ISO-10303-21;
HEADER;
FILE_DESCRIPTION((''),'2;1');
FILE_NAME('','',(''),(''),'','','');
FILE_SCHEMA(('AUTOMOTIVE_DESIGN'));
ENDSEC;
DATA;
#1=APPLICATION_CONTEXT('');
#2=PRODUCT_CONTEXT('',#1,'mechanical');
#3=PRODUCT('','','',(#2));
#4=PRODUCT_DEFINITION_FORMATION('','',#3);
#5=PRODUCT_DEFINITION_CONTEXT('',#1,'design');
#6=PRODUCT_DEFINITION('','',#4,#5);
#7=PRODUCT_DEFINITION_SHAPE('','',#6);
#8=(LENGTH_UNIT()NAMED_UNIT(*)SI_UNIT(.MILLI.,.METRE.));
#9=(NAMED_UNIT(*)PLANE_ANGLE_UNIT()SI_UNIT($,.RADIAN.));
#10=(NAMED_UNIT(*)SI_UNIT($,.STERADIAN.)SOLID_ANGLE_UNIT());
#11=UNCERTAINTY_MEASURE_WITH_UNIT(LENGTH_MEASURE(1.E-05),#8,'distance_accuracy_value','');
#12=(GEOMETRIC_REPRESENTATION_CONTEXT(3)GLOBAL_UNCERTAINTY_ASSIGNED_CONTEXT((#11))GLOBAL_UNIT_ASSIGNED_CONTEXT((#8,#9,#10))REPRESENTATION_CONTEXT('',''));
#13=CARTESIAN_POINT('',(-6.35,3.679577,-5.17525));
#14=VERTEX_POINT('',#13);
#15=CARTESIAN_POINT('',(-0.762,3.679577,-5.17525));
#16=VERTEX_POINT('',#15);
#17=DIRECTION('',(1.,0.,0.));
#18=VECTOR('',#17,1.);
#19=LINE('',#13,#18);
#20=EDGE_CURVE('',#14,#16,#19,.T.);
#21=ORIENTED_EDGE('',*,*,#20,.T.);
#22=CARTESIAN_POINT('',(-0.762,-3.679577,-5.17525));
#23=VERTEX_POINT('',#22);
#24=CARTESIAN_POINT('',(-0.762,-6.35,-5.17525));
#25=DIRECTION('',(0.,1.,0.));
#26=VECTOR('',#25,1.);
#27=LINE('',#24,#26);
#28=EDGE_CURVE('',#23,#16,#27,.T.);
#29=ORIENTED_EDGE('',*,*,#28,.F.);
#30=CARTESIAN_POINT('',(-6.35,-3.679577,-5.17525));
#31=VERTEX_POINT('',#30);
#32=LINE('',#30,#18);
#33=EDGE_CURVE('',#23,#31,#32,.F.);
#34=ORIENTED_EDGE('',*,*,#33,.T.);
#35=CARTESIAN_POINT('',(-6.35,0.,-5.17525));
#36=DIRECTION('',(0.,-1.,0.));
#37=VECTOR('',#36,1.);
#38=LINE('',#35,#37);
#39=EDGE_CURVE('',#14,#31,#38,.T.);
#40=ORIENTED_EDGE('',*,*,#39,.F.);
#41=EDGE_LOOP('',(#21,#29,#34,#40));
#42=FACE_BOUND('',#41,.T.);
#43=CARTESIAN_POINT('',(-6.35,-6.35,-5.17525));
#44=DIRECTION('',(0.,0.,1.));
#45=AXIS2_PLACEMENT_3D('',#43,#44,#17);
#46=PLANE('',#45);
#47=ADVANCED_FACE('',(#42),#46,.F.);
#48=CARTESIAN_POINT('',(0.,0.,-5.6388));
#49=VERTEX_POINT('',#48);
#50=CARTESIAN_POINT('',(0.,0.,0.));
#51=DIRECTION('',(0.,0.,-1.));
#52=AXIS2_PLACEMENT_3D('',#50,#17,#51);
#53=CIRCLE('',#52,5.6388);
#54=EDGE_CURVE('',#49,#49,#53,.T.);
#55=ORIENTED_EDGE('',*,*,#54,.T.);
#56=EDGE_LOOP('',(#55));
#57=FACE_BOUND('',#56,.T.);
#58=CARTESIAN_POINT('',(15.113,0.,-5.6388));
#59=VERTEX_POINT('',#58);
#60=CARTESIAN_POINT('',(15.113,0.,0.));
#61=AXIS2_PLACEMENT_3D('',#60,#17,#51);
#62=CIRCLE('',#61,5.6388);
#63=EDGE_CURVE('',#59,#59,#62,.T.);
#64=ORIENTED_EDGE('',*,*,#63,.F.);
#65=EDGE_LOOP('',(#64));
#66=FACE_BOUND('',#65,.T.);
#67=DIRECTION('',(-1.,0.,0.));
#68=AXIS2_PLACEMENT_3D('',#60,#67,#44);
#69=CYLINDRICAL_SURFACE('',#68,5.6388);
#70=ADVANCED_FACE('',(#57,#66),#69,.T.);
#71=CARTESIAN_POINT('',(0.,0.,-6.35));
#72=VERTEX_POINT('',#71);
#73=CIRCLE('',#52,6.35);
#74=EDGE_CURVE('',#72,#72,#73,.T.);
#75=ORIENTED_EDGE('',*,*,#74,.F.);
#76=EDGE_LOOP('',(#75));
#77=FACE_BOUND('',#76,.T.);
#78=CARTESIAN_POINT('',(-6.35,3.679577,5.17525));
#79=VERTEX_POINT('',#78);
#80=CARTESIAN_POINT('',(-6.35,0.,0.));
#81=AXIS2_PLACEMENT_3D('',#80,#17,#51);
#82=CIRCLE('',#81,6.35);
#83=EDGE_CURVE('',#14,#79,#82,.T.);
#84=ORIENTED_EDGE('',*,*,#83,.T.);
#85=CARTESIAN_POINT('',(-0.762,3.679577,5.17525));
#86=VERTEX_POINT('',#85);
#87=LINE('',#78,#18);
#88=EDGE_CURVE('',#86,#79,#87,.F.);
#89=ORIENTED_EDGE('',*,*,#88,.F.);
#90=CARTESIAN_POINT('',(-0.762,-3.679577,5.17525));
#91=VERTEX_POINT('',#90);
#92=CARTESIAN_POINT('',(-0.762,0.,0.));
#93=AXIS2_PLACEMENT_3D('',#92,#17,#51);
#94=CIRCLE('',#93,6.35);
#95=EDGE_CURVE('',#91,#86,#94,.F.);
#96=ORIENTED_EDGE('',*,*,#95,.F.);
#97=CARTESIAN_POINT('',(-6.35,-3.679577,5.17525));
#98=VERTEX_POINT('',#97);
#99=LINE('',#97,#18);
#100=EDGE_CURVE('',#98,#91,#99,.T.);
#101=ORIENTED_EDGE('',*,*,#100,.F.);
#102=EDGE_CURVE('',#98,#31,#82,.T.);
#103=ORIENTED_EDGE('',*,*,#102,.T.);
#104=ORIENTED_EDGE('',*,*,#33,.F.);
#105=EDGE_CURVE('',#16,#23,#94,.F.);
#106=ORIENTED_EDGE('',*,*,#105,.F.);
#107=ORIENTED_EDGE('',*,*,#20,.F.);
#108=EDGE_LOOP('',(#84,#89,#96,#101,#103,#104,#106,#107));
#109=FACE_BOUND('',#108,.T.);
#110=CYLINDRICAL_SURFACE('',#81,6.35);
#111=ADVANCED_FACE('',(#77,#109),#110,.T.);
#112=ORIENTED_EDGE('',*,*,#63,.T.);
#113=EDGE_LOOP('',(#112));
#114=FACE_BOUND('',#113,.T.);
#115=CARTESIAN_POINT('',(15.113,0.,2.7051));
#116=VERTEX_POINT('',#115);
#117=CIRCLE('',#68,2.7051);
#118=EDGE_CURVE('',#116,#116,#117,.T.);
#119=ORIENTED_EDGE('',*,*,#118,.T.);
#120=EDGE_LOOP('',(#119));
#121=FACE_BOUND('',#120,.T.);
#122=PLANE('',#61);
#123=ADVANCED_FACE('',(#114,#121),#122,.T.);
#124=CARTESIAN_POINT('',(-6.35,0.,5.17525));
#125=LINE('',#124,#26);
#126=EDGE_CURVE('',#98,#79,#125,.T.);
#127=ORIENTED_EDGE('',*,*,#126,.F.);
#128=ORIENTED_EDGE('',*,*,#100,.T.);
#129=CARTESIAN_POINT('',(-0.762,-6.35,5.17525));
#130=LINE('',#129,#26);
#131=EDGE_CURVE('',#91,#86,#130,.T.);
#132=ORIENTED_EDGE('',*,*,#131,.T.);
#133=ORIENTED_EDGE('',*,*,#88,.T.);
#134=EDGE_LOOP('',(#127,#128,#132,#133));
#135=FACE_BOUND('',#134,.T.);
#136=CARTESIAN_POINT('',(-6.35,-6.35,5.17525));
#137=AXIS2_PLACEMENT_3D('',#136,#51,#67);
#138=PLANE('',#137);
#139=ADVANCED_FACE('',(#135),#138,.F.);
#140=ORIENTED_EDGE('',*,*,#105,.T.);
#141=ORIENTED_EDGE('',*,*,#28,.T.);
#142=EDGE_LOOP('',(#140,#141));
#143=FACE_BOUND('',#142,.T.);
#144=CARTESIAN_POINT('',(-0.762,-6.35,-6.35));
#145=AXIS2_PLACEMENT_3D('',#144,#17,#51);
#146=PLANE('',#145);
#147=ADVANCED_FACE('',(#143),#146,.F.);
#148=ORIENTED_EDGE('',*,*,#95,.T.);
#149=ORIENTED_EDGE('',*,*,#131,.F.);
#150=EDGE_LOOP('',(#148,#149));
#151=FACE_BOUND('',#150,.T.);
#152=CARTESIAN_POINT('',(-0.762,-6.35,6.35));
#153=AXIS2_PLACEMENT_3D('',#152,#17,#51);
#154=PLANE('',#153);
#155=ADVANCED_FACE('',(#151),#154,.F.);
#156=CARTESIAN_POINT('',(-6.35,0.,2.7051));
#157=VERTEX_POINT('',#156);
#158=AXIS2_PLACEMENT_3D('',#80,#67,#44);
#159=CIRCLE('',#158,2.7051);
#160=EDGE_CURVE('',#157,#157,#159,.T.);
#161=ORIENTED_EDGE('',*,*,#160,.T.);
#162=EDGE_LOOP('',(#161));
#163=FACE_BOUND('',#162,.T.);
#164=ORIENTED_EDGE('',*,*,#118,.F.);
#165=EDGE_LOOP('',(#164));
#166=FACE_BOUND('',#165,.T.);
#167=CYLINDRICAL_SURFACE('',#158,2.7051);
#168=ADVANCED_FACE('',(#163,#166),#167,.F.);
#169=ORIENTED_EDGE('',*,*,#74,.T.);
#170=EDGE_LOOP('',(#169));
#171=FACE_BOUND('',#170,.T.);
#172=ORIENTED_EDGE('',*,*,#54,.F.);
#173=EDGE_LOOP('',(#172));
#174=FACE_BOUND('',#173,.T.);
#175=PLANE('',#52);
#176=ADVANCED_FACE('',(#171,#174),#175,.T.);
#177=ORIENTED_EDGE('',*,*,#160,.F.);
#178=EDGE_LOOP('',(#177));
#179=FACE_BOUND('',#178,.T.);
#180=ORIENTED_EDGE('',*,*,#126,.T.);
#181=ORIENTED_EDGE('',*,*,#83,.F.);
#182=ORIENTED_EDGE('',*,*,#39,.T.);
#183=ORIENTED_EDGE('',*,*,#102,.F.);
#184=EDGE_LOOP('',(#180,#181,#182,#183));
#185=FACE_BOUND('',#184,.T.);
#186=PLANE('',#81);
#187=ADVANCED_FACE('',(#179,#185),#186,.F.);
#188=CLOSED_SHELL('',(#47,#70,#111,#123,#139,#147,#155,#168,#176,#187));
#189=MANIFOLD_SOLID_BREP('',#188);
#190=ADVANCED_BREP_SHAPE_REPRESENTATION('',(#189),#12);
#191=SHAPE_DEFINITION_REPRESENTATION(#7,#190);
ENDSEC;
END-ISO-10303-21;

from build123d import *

# Parameters (mm, degrees)
SKETCH2_R               = 6.35
BOSS_EXTRUDE1_DEPTH     = 6.35
SKETCH3_R               = 5.6388
BOSS_EXTRUDE2_DEPTH     = 15.113
SKETCH4_W               = 5.588
SKETCH4_H               = 1.17475
CUT_EXTRUDE1_DEPTH      = 6.35
F_1_4_28_TAPPED_HOLE1_D = 5.4102


with BuildPart() as part:
    # Sketch2 → Boss-Extrude1 (new body)
    with BuildSketch(Plane(origin=(0, 0, 0), x_dir=(0, 0, -1), z_dir=(1, 0, 0))):
        Circle(SKETCH2_R)
    extrude(amount=-BOSS_EXTRUDE1_DEPTH)

    # Sketch3 → Boss-Extrude2 (add)
    with BuildSketch(Plane(origin=(0, 0, 0), x_dir=(0, 0, -1), z_dir=(1, 0, 0))):
        Circle(SKETCH3_R)
    extrude(amount=BOSS_EXTRUDE2_DEPTH)

    # Sketch4 → Cut-Extrude1 (cut, symmetric)
    with BuildSketch(Plane(origin=(0, 0, 0), x_dir=(1, 0, 0), z_dir=(0, 1, 0))):
        with Locations((-3.556, 5.762625)):
            Rectangle(SKETCH4_W, SKETCH4_H)
        with Locations((-3.556, -5.762625)):
            Rectangle(SKETCH4_W, SKETCH4_H)
    extrude(amount=CUT_EXTRUDE1_DEPTH, both=True, mode=Mode.SUBTRACT)

    # 1/4-28 Tapped Hole1 (through all)
    with Locations(Plane(origin=(-6.35, 0, 0), x_dir=(0, 0, -1), z_dir=(-1, 0, 0))):
        with Locations((0, 0)):
            Hole(F_1_4_28_TAPPED_HOLE1_D / 2)


solid = part.part
